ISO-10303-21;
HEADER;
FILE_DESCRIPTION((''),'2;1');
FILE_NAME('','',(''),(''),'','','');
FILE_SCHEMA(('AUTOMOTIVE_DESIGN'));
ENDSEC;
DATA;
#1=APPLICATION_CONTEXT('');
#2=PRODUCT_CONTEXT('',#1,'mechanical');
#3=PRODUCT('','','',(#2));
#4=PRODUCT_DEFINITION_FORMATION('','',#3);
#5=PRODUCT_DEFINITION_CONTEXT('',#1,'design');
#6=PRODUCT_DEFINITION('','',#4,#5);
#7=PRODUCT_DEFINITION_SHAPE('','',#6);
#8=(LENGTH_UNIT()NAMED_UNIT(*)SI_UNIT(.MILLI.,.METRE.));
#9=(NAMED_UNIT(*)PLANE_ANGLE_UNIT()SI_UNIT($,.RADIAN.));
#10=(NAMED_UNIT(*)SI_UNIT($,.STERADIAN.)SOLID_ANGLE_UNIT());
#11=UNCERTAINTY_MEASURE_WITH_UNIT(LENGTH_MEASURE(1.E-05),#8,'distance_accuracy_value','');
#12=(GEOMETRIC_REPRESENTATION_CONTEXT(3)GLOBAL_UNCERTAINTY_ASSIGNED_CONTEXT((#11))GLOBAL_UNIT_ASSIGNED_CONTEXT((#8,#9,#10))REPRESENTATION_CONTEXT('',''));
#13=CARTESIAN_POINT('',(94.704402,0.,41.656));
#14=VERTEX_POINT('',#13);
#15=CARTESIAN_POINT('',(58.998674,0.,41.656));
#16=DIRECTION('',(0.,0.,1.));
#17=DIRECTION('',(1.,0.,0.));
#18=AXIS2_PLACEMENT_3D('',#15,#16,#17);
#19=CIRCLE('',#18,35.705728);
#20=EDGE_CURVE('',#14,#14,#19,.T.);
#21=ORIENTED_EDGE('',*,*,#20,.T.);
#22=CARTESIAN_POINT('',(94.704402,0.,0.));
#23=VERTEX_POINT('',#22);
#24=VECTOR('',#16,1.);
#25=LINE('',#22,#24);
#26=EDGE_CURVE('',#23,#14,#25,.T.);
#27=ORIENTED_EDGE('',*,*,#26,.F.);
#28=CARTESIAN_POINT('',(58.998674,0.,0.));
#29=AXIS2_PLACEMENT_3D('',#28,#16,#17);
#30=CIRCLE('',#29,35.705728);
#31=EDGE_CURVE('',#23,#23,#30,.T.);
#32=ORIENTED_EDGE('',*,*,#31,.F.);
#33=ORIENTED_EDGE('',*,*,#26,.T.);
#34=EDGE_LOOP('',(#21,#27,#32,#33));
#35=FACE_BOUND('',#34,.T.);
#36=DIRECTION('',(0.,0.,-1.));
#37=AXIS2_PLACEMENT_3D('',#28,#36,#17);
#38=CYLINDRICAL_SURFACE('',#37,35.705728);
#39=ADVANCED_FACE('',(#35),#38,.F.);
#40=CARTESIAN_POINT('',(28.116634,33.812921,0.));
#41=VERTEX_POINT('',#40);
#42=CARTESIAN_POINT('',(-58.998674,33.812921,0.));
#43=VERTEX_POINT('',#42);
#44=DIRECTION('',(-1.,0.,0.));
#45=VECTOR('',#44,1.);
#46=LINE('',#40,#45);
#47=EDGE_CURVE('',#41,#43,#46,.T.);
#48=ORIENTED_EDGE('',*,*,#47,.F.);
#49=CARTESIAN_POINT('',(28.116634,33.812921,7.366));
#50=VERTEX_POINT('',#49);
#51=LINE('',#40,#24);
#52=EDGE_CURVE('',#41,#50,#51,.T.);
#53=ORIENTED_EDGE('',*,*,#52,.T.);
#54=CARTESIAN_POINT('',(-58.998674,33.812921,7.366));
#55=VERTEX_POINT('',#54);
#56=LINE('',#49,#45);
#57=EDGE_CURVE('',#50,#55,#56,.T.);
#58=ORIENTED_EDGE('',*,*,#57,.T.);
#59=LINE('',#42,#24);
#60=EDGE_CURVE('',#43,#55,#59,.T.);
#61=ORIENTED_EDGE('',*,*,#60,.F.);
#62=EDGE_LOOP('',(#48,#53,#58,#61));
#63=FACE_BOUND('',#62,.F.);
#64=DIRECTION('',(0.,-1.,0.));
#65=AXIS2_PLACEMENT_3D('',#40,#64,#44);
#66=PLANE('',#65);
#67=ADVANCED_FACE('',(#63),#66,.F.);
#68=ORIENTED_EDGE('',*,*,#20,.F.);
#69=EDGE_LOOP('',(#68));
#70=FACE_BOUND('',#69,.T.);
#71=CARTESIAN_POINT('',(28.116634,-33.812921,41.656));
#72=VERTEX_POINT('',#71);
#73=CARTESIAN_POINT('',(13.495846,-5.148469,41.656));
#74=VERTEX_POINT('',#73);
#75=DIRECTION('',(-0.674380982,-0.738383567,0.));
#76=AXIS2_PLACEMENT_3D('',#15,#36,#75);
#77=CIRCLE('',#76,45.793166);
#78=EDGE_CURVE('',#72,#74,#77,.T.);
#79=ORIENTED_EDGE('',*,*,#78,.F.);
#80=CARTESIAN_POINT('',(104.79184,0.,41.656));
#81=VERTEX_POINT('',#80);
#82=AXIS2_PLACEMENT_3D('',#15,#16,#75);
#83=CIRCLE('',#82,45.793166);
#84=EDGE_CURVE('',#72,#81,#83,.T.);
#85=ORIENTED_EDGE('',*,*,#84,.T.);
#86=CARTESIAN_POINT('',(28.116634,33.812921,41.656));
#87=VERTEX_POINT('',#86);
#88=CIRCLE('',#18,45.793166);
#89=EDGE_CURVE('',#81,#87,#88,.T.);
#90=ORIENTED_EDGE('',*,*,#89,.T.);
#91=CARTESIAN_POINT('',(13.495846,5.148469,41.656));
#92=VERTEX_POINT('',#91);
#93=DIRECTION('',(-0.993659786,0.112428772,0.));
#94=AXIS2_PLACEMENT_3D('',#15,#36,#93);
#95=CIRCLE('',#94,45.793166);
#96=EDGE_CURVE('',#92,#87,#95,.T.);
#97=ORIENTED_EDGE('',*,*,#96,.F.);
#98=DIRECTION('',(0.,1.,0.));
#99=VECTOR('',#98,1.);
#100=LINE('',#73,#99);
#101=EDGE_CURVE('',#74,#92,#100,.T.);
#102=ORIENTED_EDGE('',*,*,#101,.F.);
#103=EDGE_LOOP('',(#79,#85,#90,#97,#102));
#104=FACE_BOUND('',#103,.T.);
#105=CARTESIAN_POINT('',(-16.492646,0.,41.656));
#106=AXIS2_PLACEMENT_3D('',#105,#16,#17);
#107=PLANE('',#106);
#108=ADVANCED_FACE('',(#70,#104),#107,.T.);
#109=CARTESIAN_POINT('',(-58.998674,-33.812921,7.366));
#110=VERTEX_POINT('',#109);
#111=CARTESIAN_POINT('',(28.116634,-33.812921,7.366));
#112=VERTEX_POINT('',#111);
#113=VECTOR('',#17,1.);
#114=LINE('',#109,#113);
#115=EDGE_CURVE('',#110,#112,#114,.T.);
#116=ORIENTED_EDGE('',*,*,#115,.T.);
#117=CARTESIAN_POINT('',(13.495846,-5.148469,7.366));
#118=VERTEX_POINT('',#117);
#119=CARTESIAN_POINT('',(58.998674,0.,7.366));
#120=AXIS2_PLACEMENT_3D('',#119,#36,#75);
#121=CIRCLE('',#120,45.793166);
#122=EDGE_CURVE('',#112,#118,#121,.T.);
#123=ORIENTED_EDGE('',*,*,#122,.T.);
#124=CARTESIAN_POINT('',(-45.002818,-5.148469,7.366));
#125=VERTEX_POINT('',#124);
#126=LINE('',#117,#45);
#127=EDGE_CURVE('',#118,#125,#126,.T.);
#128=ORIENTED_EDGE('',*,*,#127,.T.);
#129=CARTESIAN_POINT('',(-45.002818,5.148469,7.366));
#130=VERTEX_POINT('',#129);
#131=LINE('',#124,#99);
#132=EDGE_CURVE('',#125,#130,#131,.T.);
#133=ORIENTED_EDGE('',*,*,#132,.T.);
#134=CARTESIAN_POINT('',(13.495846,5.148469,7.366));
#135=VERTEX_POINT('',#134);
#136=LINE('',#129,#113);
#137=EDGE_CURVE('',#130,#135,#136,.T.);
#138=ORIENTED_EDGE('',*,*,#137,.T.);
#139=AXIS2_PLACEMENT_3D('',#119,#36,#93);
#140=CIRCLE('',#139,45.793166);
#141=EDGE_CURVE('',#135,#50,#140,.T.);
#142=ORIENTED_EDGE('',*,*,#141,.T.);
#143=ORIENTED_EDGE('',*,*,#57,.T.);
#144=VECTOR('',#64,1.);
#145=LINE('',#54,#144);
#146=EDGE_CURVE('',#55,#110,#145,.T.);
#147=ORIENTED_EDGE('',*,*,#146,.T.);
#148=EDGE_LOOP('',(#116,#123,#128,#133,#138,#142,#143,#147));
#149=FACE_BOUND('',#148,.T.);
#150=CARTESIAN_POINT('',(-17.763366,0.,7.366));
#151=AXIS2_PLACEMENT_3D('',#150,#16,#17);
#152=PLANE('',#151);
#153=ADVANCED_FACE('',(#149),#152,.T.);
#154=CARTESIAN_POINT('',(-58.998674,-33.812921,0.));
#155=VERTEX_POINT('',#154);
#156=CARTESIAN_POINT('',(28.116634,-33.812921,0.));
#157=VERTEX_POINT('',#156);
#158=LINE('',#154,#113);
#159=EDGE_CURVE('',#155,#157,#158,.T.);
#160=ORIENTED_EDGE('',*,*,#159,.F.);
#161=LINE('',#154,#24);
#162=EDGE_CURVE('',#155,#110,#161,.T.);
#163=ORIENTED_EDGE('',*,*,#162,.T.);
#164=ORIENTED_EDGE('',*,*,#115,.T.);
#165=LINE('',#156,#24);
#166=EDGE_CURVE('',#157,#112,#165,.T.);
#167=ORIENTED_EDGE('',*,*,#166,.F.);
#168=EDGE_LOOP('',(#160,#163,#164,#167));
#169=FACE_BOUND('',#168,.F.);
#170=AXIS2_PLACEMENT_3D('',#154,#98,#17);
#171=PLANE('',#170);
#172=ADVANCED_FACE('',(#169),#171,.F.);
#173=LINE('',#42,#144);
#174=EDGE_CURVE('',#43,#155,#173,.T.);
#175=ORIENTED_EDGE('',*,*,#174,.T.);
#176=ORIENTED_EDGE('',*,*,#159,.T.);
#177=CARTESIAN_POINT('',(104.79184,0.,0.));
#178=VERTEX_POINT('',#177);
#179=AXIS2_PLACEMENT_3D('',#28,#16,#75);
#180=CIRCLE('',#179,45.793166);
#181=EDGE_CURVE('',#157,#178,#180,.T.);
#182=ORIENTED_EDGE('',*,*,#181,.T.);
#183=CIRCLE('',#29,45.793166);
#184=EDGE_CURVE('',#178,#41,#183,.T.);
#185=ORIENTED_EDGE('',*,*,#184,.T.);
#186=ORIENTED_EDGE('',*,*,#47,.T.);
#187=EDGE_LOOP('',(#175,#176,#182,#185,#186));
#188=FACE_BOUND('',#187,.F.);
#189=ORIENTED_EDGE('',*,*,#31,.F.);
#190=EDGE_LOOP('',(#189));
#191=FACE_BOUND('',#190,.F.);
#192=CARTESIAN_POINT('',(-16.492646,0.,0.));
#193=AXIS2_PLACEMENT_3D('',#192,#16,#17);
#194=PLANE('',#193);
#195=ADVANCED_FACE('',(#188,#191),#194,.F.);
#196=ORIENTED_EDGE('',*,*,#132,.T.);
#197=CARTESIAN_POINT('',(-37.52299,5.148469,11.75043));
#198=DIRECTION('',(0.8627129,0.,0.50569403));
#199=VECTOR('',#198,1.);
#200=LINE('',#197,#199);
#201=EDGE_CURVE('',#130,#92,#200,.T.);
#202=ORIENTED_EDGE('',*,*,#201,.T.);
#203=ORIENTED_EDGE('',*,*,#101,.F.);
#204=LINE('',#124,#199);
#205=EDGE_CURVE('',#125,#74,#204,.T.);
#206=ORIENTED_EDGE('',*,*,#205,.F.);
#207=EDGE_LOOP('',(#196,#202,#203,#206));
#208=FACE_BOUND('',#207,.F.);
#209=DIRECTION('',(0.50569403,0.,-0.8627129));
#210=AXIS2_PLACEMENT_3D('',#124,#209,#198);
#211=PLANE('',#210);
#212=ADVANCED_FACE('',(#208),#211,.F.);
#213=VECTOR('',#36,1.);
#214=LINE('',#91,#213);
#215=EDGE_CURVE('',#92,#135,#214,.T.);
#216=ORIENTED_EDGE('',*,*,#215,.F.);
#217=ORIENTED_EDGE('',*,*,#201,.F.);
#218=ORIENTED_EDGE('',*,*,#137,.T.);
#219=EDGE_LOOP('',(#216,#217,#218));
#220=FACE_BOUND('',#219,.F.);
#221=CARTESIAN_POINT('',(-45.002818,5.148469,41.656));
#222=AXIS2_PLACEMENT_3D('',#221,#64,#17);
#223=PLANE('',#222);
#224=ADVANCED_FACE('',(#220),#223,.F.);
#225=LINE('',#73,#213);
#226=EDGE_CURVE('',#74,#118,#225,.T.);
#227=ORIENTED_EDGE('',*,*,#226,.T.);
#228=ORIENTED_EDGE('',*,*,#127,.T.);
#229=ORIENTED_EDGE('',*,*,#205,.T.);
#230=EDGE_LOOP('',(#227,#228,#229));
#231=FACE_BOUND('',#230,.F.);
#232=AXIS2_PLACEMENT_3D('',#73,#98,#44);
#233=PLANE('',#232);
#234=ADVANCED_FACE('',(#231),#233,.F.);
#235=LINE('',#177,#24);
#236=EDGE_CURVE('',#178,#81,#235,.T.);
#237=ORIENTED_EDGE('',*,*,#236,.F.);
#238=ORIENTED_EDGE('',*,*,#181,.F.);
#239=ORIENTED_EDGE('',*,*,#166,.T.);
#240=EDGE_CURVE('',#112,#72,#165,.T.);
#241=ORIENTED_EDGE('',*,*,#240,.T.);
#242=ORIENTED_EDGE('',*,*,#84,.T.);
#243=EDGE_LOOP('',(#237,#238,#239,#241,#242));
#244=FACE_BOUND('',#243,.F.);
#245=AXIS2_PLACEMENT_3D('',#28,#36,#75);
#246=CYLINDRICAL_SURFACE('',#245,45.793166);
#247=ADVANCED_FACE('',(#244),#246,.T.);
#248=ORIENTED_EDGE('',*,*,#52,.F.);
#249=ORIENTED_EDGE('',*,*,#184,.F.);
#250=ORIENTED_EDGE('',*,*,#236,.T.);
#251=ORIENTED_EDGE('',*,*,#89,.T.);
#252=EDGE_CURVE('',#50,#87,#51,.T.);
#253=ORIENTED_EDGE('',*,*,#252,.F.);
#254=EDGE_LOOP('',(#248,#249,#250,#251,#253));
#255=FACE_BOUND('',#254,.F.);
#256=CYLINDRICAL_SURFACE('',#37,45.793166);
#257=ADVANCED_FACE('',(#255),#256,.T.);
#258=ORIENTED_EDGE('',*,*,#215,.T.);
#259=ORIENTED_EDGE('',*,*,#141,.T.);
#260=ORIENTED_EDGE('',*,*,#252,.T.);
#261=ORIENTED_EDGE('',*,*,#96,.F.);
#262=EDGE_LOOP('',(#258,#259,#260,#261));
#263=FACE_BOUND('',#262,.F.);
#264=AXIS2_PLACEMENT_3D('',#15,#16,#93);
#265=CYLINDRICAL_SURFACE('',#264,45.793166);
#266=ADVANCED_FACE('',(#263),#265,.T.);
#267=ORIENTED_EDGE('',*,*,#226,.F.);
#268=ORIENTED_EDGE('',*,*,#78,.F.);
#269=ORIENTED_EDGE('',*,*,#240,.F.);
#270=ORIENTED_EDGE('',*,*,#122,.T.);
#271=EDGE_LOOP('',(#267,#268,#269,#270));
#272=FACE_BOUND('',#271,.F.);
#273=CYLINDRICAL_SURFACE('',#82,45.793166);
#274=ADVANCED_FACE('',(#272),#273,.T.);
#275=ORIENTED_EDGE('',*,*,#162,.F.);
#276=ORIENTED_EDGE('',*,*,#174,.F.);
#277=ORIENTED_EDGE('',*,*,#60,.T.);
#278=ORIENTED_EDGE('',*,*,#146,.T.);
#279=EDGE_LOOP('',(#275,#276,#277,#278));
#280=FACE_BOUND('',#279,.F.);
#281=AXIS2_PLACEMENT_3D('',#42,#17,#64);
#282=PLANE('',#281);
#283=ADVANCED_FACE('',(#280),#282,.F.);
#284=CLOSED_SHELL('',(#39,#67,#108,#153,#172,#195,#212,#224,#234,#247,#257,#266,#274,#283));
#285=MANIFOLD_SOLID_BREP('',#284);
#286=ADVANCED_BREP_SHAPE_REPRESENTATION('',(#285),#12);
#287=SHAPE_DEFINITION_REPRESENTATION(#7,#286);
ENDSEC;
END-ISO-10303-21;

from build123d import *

# Parameters (mm, degrees)
F0_R     = 35.7057277328
F1_DEPTH = 41.656
F2_R     = 35.7057277328
F3_DEPTH = 34.29
F5_DEPTH = 25.4


with BuildPart() as f1:
    # F0 (on Top) → F1 (new body)
    with BuildSketch(Plane.XY):
        with BuildLine():
            Line((28.1166336854, 33.8129214942), (-58.9986741543, 33.8129214942))
            Line((-58.9986741543, 33.8129214942), (-58.9986741543, -33.8129214942))
            Line((-58.9986741543, -33.8129214942), (28.1166336854, -33.8129214942))
            ThreePointArc((28.1166336854, -33.8129214942), (13.2055078137, 0), (28.1166336854, 33.8129214942))
        make_face()
        with BuildLine():
            ThreePointArc((104.7918404949, 0), (77.4760612446, 41.8998836492), (28.1166336854, 33.8129214942))
            ThreePointArc((28.1166336854, 33.8129214942), (13.2055078137, 0), (28.1166336854, -33.8129214942))
            ThreePointArc((28.1166336854, -33.8129214942), (77.4760612446, -41.8998836492), (104.7918404949, 0))
        make_face()
        with Locations((58.9986741543, 0)):
            Circle(F0_R, mode=Mode.SUBTRACT)
    extrude(amount=F1_DEPTH)

    # F2 (on face) → F3 (cut)
    with BuildSketch(Plane.XY.offset(41.656)):
        with Locations((58.9986741543, 0)):
            Circle(F2_R)
        with BuildLine():
            ThreePointArc((13.4958462684, 5.1484694704), (18.2056020605, 20.8071947328), (28.1166336854, 33.8129214942))
            Line((28.1166336854, 33.8129214942), (-58.9986741543, 33.8129214942))
            Line((-58.9986741543, 33.8129214942), (-58.9986741543, -33.8129214942))
            Line((-58.9986741543, -33.8129214942), (28.1166336854, -33.8129214942))
            ThreePointArc((28.1166336854, -33.8129214942), (18.2056020605, -20.8071947328), (13.4958462684, -5.1484694704))
            Line((13.4958462684, -5.1484694704), (-45.0028181076, -5.1484694704))
            Line((-45.0028181076, -5.1484694704), (-45.0028181076, 5.1484694704))
            Line((-45.0028181076, 5.1484694704), (13.4958462684, 5.1484694704))
        make_face()
    extrude(amount=-F3_DEPTH, mode=Mode.SUBTRACT)

    # F4 (on face) → F5 (cut)
    with BuildSketch(Plane.XZ.offset(5.1484694704)):
        Polygon((-45.0028181076, 7.366), (13.4958462684, 41.656), (-45.0028181076, 41.656), align=None)
    extrude(amount=-F5_DEPTH, mode=Mode.SUBTRACT)


solid = f1.part
